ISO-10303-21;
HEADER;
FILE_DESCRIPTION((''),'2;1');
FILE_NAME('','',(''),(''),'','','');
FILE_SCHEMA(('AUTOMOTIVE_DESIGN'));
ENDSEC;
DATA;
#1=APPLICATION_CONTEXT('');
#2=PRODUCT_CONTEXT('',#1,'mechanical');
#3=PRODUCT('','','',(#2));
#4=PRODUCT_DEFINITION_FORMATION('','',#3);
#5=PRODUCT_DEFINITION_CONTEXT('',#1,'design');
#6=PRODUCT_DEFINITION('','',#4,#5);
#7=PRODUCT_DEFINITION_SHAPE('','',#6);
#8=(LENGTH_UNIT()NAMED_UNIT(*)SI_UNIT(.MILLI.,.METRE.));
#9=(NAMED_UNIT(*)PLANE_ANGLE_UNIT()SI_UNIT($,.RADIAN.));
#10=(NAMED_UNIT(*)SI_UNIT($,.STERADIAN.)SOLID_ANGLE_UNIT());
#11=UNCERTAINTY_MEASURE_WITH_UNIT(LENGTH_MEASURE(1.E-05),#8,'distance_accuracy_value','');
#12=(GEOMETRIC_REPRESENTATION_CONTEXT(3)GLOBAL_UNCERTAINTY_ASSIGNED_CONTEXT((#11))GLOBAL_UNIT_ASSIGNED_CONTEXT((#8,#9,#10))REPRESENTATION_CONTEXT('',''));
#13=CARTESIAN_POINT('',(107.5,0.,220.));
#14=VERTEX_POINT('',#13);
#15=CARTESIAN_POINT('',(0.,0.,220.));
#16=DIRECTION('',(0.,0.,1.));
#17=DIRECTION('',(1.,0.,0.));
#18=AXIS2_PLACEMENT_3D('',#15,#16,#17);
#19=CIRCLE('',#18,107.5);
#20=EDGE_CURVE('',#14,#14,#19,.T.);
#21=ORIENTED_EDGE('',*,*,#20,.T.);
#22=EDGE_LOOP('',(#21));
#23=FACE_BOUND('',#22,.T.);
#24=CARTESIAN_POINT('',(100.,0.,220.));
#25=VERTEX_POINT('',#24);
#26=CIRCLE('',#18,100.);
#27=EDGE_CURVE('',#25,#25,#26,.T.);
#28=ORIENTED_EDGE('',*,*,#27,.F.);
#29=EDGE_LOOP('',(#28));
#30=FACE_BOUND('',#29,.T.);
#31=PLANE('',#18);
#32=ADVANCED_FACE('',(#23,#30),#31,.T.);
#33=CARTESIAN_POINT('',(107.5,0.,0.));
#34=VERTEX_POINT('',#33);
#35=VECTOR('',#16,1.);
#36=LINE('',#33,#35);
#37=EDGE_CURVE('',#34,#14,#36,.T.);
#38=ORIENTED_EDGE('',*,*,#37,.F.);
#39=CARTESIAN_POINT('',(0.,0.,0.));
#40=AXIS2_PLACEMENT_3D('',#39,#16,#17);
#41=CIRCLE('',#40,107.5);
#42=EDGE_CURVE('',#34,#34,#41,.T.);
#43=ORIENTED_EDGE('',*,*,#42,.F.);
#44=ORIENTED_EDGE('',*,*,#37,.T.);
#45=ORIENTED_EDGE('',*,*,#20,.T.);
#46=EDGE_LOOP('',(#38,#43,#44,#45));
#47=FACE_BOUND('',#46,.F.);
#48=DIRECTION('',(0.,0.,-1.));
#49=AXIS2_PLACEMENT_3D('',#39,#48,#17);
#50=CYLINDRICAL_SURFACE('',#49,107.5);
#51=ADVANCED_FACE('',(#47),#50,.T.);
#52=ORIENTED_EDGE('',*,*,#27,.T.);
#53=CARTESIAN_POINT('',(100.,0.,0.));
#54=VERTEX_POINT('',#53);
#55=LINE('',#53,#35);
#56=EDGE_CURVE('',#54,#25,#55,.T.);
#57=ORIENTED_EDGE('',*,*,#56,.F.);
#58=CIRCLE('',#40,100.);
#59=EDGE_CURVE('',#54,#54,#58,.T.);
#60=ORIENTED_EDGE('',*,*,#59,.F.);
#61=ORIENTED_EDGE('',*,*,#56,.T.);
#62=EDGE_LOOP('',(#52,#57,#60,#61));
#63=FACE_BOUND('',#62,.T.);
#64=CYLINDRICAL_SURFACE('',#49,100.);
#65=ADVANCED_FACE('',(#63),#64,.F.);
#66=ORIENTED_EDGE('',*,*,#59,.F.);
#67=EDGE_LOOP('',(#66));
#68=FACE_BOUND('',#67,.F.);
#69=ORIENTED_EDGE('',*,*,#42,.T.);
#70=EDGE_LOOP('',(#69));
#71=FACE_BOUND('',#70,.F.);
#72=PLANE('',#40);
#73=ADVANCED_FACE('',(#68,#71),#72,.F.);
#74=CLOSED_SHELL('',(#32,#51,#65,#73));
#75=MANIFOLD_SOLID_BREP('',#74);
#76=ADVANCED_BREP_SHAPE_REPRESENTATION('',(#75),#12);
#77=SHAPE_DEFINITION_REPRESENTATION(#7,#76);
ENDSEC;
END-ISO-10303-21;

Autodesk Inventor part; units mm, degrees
ref_plane "YZ Plane" through (0, 0, 0) normal (1, 0, 0) x (0, 1, 0)
ref_plane "XZ Plane" through (0, 0, 0) normal (0, 1, 0) x (-1, 0, 0)
ref_plane "XY Plane" through (0, 0, 0) normal (0, 0, 1) x (1, 0, 0)
sketch "Sketch1" plane through (0, 0, 0) normal (0, 0, 1) x (1, 0, 0)
  circle A0 centre (0, 0) radius 107.5
  circle A1 centre (0, 0) radius 100
  dimension "d0" = 215
  dimension "d1" = 7.5
extrude "Extrusion1" add sketch "Sketch1" along normal blind 220
properties part number "TKS 3552 BOTTOM DS main tube" material "Stainless Steel"
